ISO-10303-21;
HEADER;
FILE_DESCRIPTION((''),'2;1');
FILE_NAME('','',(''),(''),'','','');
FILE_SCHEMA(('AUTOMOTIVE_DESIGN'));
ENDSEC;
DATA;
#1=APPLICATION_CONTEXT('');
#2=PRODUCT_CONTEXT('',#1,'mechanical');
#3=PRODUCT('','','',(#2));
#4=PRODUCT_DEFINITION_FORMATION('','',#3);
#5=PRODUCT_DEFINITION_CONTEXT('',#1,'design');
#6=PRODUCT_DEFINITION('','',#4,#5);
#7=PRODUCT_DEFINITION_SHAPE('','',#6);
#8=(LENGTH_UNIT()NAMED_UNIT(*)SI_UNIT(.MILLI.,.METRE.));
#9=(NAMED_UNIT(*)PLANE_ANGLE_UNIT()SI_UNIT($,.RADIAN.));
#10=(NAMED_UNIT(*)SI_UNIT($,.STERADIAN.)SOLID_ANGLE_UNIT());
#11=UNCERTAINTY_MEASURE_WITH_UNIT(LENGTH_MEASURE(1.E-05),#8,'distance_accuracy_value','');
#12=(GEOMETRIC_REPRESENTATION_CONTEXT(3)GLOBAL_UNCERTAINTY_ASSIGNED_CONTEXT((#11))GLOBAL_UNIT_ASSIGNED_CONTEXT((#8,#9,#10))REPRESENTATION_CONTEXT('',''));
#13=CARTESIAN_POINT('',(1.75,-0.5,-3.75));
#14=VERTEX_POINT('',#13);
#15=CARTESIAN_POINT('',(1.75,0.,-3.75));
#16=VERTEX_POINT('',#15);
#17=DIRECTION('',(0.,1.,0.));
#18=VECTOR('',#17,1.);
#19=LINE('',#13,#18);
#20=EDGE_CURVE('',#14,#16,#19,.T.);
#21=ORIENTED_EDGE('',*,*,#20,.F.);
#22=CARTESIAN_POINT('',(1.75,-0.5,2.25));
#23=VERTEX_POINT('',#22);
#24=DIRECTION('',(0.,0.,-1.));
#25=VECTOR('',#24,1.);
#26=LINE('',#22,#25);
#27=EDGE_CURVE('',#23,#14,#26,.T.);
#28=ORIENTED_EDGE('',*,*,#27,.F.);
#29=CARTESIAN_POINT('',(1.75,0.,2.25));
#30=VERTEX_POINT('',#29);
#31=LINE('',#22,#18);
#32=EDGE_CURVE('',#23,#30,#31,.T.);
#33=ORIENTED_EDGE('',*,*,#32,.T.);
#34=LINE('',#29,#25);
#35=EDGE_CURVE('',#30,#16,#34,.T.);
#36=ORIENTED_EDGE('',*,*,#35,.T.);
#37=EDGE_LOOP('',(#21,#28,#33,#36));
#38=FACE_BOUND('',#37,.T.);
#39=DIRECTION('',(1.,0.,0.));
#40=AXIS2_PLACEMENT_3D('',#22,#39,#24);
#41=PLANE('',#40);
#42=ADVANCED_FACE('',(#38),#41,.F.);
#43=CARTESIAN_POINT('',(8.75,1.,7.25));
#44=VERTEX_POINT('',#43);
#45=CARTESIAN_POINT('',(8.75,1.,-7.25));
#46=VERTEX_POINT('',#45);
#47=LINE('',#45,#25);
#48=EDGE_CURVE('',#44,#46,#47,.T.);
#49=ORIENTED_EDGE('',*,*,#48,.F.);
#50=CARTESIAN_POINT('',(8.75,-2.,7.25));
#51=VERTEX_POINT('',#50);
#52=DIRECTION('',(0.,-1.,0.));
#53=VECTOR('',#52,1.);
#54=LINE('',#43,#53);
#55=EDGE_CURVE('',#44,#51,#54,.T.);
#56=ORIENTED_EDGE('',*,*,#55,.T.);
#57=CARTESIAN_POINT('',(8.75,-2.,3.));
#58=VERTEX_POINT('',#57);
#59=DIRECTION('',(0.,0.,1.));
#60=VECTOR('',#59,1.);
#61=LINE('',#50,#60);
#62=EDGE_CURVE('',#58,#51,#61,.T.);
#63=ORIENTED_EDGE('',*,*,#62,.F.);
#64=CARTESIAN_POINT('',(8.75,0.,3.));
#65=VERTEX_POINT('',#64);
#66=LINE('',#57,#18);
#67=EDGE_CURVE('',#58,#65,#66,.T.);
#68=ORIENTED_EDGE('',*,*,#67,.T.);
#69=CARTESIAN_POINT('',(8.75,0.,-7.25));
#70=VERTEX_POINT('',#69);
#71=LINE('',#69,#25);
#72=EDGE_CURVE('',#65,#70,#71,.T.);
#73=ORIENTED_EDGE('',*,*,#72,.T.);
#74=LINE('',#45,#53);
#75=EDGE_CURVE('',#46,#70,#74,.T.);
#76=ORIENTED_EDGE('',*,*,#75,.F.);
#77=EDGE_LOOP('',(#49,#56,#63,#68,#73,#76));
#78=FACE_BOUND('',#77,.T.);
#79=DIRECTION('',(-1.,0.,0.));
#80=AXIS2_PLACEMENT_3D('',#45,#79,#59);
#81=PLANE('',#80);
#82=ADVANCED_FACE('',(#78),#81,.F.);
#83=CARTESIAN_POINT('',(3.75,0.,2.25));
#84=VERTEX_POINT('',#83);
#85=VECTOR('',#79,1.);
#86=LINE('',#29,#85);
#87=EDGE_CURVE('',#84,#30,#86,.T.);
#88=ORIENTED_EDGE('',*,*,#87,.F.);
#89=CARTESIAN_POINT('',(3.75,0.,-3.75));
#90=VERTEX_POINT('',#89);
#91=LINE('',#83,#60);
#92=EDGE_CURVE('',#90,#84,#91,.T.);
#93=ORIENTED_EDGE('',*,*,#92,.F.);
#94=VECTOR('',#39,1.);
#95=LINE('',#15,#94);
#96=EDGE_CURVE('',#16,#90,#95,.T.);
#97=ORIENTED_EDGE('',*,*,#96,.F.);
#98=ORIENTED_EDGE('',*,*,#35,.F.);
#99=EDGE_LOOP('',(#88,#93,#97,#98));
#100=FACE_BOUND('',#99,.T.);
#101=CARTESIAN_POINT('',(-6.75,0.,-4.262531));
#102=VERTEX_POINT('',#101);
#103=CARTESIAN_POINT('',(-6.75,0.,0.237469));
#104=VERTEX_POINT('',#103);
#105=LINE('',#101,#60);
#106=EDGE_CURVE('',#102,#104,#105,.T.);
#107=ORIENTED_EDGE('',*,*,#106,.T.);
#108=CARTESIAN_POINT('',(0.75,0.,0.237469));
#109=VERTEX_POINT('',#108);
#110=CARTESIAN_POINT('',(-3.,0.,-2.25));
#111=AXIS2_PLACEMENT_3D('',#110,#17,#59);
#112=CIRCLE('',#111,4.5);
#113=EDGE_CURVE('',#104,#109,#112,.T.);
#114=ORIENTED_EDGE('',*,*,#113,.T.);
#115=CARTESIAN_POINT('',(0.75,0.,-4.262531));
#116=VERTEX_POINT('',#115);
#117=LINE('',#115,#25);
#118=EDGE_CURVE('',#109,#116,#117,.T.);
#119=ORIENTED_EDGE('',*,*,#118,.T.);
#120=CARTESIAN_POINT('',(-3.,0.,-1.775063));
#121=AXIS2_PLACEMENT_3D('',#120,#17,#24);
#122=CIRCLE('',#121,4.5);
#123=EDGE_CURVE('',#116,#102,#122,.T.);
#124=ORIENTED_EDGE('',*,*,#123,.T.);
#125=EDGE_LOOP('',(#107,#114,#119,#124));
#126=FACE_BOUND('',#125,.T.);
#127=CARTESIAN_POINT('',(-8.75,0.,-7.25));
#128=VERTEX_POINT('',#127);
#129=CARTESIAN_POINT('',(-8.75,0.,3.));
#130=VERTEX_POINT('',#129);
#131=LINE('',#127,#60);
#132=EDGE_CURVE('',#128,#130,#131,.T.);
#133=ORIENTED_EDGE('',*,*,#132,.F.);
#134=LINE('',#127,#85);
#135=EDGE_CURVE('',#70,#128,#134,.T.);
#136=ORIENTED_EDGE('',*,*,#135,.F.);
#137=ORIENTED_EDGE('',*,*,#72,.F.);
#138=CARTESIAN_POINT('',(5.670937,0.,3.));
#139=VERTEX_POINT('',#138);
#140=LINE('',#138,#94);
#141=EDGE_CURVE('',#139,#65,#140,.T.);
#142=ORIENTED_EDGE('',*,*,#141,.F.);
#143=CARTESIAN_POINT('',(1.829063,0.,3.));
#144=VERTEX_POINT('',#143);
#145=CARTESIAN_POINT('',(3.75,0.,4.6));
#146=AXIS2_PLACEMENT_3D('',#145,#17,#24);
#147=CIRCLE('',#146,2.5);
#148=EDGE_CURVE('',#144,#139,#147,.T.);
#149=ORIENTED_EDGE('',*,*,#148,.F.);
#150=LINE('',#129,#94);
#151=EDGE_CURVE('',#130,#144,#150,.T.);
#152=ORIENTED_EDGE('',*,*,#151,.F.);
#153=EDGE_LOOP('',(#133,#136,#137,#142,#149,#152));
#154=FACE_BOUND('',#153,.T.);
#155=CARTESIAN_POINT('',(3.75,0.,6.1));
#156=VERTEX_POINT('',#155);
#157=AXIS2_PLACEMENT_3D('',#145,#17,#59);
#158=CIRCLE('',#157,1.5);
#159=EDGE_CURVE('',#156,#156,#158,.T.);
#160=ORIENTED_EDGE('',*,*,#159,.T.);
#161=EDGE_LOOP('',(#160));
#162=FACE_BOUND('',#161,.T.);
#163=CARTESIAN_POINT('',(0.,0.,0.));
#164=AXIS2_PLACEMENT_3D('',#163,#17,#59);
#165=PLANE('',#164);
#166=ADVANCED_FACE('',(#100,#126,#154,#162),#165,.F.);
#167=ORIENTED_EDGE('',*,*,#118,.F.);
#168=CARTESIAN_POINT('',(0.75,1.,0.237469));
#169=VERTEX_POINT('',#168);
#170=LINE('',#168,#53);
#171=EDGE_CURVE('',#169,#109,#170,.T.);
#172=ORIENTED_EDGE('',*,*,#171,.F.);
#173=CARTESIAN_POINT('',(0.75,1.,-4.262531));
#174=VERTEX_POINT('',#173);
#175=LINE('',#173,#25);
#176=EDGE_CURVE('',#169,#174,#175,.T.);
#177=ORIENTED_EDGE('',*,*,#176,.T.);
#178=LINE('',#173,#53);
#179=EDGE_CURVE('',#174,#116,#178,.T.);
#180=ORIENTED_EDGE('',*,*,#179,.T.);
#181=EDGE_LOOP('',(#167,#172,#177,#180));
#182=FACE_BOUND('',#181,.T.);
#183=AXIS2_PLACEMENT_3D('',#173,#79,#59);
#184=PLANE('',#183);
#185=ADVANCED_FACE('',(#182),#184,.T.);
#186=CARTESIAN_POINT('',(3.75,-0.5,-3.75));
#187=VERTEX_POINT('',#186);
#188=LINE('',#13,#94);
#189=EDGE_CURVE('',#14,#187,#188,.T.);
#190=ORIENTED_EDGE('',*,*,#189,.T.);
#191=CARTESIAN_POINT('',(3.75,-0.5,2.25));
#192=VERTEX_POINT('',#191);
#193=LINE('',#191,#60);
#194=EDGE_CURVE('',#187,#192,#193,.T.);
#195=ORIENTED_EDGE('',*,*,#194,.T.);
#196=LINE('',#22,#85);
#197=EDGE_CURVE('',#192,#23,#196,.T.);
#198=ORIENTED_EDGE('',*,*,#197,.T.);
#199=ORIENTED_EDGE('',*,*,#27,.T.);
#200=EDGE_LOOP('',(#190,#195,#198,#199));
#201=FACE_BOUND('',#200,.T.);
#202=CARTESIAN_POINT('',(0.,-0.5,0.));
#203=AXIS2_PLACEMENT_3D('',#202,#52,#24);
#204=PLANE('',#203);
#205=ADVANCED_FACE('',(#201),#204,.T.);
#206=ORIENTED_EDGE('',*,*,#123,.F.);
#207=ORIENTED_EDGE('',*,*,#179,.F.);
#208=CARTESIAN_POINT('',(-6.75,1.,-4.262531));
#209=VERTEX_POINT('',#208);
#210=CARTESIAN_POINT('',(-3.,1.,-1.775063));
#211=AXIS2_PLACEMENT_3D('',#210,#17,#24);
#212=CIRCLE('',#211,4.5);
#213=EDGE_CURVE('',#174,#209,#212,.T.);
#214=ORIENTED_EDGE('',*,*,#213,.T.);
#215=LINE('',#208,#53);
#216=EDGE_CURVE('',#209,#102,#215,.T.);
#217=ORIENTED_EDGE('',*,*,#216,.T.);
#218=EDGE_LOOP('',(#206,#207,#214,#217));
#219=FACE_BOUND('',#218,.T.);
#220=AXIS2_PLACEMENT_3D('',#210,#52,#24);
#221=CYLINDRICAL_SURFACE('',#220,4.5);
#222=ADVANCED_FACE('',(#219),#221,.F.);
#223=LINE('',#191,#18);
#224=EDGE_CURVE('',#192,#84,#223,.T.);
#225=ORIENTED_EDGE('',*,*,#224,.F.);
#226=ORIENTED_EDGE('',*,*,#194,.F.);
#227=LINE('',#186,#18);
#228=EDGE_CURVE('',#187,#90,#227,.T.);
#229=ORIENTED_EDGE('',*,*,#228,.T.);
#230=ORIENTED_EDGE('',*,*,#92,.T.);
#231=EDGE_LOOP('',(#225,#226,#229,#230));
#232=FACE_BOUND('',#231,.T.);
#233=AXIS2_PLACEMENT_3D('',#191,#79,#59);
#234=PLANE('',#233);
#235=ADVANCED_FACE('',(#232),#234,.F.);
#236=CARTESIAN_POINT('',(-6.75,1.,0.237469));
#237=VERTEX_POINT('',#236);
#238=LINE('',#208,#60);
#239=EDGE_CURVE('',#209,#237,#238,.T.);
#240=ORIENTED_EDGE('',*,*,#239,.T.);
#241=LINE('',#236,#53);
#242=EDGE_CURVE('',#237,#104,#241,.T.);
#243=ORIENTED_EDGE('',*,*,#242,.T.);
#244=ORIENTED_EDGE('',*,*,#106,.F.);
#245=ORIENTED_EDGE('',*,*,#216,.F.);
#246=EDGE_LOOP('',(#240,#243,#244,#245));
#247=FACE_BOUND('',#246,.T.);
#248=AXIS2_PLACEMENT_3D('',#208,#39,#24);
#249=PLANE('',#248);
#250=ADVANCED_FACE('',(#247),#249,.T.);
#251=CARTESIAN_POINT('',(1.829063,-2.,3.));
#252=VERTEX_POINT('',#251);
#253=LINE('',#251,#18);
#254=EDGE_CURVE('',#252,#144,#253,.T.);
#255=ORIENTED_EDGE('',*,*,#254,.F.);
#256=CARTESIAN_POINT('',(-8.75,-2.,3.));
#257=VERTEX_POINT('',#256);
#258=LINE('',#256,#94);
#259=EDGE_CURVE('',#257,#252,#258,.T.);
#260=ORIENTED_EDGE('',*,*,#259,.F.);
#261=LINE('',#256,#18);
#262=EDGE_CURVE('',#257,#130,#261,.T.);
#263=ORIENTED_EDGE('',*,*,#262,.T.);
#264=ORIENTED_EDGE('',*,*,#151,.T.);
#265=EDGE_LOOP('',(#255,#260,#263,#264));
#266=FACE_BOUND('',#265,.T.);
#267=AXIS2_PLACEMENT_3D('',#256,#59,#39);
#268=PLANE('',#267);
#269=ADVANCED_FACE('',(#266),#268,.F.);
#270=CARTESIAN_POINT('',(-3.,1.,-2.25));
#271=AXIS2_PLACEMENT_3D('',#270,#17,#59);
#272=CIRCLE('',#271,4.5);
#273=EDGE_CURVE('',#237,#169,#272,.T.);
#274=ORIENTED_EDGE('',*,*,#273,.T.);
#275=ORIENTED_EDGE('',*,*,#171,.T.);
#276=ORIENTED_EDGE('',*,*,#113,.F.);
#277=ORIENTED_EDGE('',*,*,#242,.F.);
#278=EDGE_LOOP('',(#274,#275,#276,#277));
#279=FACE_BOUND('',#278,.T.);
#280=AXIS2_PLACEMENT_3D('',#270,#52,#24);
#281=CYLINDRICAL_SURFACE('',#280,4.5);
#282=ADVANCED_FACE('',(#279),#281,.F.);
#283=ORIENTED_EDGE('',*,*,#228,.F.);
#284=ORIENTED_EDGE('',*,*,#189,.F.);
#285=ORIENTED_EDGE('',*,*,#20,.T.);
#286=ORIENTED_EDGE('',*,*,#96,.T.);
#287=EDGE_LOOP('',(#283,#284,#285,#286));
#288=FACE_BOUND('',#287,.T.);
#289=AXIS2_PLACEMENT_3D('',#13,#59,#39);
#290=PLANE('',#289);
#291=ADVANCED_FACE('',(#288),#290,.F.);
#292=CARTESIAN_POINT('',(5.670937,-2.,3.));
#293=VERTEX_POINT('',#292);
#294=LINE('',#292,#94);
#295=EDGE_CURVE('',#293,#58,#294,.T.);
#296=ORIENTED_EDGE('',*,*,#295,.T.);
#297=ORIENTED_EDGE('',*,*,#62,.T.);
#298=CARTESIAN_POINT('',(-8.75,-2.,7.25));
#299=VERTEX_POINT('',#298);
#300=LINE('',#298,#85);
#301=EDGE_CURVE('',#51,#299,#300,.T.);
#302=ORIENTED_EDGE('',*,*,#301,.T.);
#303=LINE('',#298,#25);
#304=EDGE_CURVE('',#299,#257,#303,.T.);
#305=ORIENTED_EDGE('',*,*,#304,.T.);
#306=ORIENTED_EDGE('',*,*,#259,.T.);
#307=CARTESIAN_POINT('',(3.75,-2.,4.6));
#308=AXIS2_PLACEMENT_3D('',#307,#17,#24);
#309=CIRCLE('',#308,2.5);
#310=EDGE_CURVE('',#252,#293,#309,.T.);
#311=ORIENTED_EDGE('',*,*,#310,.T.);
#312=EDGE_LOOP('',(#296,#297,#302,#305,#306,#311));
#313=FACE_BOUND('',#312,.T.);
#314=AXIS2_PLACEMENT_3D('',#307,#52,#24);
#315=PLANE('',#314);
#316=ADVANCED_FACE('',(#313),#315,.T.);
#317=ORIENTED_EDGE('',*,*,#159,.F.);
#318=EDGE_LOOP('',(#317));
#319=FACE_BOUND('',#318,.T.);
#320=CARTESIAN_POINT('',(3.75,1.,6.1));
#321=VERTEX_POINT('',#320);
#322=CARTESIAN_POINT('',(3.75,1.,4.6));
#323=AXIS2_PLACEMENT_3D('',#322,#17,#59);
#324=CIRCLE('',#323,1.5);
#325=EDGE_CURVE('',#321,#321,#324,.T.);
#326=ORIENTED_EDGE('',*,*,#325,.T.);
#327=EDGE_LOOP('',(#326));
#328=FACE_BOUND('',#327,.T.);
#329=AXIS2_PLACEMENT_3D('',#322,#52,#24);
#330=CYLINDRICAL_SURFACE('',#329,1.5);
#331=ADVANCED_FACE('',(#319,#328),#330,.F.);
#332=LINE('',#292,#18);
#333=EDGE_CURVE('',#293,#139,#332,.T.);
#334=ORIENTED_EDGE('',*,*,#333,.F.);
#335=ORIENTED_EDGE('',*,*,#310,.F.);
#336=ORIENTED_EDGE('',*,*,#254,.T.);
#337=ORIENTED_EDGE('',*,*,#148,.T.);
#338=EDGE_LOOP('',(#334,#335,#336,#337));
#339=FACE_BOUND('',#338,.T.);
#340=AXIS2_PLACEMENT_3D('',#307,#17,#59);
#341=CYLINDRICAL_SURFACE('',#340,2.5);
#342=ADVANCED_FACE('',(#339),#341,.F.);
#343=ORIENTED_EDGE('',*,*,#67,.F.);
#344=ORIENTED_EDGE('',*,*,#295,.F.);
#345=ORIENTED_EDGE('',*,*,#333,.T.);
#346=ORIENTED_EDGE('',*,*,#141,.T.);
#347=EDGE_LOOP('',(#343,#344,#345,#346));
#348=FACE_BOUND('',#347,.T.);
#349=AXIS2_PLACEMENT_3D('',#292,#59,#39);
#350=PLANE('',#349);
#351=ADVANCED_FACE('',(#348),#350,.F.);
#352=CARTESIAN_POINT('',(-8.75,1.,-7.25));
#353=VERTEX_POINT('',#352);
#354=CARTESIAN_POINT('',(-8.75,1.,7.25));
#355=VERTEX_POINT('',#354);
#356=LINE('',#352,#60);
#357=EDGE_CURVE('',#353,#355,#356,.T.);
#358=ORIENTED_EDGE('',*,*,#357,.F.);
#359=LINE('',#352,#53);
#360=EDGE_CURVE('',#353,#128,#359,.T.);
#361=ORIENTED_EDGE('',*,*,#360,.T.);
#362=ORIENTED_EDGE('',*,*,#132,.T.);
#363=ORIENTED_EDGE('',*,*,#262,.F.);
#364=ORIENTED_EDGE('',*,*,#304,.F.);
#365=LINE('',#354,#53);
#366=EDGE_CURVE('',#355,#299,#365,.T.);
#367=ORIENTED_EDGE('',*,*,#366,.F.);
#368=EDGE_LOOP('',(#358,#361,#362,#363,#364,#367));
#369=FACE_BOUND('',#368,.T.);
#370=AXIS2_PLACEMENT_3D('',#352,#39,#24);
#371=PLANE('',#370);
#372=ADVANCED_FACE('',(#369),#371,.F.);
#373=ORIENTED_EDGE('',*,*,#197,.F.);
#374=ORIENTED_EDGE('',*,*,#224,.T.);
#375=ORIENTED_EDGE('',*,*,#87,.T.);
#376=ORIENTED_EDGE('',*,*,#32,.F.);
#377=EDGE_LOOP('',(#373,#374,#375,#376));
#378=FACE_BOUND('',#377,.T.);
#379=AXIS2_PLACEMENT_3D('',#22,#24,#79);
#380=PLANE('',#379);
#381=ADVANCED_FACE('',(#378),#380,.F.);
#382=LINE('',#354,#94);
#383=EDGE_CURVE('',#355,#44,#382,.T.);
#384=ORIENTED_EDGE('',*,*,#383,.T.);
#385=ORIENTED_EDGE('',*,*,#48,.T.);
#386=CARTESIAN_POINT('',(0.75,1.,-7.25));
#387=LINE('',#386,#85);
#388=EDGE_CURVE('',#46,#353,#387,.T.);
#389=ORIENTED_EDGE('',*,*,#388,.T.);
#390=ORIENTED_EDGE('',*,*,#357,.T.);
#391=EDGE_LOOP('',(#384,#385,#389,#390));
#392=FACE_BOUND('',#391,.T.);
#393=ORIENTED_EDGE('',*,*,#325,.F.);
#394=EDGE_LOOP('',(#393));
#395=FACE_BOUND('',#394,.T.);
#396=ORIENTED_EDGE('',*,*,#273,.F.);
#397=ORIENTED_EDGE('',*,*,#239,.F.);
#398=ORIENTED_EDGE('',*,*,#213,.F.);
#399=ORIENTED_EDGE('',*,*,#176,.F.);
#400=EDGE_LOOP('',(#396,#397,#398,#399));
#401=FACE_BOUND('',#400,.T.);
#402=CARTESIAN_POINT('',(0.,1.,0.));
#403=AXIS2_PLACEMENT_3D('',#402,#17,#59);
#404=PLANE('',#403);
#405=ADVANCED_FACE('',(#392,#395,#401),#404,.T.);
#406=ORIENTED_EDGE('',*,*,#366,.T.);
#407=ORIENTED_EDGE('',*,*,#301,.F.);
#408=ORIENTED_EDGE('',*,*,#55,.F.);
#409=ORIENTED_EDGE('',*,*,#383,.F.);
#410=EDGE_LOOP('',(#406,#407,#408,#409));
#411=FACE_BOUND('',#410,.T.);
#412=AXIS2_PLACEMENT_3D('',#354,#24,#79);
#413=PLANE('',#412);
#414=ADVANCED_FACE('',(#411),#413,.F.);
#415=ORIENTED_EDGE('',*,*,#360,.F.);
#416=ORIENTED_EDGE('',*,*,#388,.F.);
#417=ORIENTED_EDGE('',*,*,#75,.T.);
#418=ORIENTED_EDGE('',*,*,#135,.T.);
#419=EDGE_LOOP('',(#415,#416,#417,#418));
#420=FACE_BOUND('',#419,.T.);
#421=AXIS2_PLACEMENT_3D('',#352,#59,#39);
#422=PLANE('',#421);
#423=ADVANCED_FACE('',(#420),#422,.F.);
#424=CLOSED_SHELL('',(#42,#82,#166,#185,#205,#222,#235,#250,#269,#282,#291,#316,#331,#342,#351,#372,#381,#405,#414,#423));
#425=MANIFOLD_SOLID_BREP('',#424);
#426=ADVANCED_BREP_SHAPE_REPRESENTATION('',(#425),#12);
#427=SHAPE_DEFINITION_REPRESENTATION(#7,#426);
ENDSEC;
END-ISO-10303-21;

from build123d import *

# Parameters (mm, degrees)
CROQUIS1_R              = 1.5
SALIENTE_EXTRUIR1_DEPTH = 1
SALIENTE_EXTRUIR2_DEPTH = 2
CROQUIS3_W              = 2
CROQUIS3_H              = 6
SALIENTE_EXTRUIR3_DEPTH = 0.5


with BuildPart() as part:
    # Croquis1 → Saliente-Extruir1 (new body)
    with BuildSketch(Plane(origin=(0, 0, 0), x_dir=(1, 0, 0), z_dir=(0, 1, 0))):
        Polygon((-8.75, 7.25), (-6.75, 7.25), (0.75, 7.25), (8.75, 7.25), (8.75, -7.25), (-8.75, -7.25), align=None)
        with Locations(Location((3.75, -4.6, 0), (0, 0, 270))):
            Circle(CROQUIS1_R, mode=Mode.SUBTRACT)
        with BuildLine():
            Line((-6.75, 4.262531407), (-6.75, -0.237468593))
            ThreePointArc((-6.75, -0.237468593), (-3, -2.25), (0.75, -0.237468593))
            Line((0.75, -0.237468593), (0.75, 4.262531407))
            ThreePointArc((0.75, 4.262531407), (-3, 6.275062814), (-6.75, 4.262531407))
        make_face(mode=Mode.SUBTRACT)
    extrude(amount=SALIENTE_EXTRUIR1_DEPTH)

    # Croquis2 → Saliente-Extruir2 (add)
    with BuildSketch(Plane.XZ):
        with BuildLine():
            Line((-8.75, 7.25), (8.75, 7.25))
            Line((8.75, 7.25), (8.75, 3))
            Line((8.75, 3), (5.670937271, 3))
            ThreePointArc((5.670937271, 3), (3.75, 7.1), (1.829062729, 3))
            Line((1.829062729, 3), (-8.75, 3))
            Line((-8.75, 3), (-8.75, 7.25))
        make_face()
    extrude(amount=SALIENTE_EXTRUIR2_DEPTH)

    # Croquis3 → Saliente-Extruir3 (add)
    with BuildSketch(Plane.XZ):
        with Locations((2.75, -0.75)):
            Rectangle(CROQUIS3_W, CROQUIS3_H)
    extrude(amount=SALIENTE_EXTRUIR3_DEPTH)


solid = part.part
